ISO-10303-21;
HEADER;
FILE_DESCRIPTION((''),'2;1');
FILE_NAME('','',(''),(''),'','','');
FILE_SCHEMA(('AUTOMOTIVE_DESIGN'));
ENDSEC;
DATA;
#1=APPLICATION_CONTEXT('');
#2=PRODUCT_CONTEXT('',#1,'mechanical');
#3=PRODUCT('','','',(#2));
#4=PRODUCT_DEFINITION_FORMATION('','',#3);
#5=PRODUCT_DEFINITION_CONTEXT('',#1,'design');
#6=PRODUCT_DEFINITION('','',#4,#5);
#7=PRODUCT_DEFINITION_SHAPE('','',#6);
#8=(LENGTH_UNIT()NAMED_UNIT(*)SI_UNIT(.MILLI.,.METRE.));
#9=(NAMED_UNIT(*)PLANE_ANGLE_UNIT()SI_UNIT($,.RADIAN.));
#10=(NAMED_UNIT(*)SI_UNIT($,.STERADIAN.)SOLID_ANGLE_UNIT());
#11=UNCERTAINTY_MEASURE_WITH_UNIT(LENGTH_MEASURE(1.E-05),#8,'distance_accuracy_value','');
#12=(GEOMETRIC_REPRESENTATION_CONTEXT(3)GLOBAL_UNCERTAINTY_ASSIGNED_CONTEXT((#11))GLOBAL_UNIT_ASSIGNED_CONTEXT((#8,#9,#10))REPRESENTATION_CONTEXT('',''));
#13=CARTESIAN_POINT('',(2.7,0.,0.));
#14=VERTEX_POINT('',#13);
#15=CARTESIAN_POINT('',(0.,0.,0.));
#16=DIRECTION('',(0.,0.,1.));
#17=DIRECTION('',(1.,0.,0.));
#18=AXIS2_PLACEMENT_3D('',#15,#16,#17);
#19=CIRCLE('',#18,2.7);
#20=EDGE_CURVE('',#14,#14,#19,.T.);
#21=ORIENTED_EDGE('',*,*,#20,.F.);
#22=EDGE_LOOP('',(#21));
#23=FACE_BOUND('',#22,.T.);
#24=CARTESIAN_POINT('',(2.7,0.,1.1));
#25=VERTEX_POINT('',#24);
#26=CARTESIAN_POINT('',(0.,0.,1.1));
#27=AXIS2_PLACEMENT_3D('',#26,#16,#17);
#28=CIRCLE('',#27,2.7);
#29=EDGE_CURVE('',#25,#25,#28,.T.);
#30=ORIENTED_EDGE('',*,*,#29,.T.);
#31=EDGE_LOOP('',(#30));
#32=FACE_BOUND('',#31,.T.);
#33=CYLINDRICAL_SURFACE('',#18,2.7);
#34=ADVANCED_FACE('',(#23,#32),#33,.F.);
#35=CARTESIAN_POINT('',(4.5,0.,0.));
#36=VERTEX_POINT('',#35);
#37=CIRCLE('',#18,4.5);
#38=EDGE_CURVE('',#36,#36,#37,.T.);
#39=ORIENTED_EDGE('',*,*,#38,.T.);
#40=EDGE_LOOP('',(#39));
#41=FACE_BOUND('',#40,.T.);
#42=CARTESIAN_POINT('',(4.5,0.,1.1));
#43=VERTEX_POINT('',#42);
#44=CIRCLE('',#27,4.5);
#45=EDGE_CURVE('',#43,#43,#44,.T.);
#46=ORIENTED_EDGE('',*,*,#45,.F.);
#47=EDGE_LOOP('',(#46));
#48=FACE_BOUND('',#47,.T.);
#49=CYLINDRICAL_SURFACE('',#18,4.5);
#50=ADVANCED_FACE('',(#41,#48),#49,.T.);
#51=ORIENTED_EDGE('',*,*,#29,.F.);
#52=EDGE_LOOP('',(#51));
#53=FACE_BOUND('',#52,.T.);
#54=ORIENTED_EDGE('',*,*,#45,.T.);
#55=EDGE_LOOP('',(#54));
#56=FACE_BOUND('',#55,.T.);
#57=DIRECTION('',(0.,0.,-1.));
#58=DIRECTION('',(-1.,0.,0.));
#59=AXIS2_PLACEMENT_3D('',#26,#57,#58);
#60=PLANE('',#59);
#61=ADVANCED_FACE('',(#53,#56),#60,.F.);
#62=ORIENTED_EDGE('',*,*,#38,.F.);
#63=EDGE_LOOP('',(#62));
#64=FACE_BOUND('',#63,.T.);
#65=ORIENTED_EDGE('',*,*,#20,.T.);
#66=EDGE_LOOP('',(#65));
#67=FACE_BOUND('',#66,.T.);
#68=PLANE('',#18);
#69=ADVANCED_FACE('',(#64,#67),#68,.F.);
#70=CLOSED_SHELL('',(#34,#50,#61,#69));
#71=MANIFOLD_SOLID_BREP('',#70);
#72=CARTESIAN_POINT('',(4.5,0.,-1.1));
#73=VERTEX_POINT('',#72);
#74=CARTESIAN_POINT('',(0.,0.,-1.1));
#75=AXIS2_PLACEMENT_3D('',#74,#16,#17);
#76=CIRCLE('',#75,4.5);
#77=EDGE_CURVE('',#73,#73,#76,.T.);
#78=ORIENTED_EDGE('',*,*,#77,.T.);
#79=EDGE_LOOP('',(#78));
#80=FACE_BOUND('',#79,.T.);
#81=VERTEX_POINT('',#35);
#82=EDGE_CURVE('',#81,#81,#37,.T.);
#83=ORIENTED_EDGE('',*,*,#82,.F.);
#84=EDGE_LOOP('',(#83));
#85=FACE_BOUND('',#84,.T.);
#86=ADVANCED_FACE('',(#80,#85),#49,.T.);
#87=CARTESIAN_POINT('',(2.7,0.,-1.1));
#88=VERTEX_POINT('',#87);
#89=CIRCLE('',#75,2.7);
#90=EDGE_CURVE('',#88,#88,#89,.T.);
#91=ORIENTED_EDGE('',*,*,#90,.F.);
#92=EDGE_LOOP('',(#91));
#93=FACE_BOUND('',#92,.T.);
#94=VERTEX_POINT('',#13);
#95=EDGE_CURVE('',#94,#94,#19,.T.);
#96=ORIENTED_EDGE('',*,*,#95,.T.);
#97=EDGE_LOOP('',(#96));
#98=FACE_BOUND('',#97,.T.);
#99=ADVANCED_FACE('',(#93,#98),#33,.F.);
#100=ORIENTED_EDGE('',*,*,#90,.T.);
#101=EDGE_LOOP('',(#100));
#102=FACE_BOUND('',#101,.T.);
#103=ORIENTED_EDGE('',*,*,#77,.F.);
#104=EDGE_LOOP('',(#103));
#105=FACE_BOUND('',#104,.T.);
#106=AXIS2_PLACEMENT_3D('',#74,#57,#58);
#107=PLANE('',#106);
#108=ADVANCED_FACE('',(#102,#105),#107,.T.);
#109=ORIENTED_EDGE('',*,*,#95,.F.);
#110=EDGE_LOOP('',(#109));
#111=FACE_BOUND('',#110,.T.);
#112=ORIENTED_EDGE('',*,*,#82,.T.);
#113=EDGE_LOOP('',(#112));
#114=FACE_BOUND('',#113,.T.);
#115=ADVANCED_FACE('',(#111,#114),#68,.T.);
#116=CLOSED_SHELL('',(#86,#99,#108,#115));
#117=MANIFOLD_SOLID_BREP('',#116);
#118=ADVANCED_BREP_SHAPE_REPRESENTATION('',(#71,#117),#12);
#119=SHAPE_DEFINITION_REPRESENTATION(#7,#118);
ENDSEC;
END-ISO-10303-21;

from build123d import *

# Parameters (mm, degrees)
SKETCH_8_W   = 1.1
SKETCH_8_H   = 1.8
SKETCH_8_8_W = 1.1
SKETCH_8_8_H = 1.8


with BuildPart() as part:
    # 草图8 → 旋转3 (revolve)
    with BuildSketch(Plane(origin=(0, 0, 0), x_dir=(0, 0, -1), z_dir=(1, 0, 0))):
        with Locations((-0.55, 3.6)):
            Rectangle(SKETCH_8_W, SKETCH_8_H)
    revolve(axis=Axis((0, 0, 0), (0, 0, -1)))


with BuildPart() as body_2:
    # 草图8<8> → 旋转4 (revolve)
    with BuildSketch(Plane(origin=(0, 0, 0), x_dir=(0, 0, -1), z_dir=(1, 0, 0))):
        with Locations((0.55, 3.6)):
            Rectangle(SKETCH_8_8_W, SKETCH_8_8_H)
    revolve(axis=Axis((0, 0, 0), (0, 0, -1)))


solid = Compound([part.part, body_2.part])
